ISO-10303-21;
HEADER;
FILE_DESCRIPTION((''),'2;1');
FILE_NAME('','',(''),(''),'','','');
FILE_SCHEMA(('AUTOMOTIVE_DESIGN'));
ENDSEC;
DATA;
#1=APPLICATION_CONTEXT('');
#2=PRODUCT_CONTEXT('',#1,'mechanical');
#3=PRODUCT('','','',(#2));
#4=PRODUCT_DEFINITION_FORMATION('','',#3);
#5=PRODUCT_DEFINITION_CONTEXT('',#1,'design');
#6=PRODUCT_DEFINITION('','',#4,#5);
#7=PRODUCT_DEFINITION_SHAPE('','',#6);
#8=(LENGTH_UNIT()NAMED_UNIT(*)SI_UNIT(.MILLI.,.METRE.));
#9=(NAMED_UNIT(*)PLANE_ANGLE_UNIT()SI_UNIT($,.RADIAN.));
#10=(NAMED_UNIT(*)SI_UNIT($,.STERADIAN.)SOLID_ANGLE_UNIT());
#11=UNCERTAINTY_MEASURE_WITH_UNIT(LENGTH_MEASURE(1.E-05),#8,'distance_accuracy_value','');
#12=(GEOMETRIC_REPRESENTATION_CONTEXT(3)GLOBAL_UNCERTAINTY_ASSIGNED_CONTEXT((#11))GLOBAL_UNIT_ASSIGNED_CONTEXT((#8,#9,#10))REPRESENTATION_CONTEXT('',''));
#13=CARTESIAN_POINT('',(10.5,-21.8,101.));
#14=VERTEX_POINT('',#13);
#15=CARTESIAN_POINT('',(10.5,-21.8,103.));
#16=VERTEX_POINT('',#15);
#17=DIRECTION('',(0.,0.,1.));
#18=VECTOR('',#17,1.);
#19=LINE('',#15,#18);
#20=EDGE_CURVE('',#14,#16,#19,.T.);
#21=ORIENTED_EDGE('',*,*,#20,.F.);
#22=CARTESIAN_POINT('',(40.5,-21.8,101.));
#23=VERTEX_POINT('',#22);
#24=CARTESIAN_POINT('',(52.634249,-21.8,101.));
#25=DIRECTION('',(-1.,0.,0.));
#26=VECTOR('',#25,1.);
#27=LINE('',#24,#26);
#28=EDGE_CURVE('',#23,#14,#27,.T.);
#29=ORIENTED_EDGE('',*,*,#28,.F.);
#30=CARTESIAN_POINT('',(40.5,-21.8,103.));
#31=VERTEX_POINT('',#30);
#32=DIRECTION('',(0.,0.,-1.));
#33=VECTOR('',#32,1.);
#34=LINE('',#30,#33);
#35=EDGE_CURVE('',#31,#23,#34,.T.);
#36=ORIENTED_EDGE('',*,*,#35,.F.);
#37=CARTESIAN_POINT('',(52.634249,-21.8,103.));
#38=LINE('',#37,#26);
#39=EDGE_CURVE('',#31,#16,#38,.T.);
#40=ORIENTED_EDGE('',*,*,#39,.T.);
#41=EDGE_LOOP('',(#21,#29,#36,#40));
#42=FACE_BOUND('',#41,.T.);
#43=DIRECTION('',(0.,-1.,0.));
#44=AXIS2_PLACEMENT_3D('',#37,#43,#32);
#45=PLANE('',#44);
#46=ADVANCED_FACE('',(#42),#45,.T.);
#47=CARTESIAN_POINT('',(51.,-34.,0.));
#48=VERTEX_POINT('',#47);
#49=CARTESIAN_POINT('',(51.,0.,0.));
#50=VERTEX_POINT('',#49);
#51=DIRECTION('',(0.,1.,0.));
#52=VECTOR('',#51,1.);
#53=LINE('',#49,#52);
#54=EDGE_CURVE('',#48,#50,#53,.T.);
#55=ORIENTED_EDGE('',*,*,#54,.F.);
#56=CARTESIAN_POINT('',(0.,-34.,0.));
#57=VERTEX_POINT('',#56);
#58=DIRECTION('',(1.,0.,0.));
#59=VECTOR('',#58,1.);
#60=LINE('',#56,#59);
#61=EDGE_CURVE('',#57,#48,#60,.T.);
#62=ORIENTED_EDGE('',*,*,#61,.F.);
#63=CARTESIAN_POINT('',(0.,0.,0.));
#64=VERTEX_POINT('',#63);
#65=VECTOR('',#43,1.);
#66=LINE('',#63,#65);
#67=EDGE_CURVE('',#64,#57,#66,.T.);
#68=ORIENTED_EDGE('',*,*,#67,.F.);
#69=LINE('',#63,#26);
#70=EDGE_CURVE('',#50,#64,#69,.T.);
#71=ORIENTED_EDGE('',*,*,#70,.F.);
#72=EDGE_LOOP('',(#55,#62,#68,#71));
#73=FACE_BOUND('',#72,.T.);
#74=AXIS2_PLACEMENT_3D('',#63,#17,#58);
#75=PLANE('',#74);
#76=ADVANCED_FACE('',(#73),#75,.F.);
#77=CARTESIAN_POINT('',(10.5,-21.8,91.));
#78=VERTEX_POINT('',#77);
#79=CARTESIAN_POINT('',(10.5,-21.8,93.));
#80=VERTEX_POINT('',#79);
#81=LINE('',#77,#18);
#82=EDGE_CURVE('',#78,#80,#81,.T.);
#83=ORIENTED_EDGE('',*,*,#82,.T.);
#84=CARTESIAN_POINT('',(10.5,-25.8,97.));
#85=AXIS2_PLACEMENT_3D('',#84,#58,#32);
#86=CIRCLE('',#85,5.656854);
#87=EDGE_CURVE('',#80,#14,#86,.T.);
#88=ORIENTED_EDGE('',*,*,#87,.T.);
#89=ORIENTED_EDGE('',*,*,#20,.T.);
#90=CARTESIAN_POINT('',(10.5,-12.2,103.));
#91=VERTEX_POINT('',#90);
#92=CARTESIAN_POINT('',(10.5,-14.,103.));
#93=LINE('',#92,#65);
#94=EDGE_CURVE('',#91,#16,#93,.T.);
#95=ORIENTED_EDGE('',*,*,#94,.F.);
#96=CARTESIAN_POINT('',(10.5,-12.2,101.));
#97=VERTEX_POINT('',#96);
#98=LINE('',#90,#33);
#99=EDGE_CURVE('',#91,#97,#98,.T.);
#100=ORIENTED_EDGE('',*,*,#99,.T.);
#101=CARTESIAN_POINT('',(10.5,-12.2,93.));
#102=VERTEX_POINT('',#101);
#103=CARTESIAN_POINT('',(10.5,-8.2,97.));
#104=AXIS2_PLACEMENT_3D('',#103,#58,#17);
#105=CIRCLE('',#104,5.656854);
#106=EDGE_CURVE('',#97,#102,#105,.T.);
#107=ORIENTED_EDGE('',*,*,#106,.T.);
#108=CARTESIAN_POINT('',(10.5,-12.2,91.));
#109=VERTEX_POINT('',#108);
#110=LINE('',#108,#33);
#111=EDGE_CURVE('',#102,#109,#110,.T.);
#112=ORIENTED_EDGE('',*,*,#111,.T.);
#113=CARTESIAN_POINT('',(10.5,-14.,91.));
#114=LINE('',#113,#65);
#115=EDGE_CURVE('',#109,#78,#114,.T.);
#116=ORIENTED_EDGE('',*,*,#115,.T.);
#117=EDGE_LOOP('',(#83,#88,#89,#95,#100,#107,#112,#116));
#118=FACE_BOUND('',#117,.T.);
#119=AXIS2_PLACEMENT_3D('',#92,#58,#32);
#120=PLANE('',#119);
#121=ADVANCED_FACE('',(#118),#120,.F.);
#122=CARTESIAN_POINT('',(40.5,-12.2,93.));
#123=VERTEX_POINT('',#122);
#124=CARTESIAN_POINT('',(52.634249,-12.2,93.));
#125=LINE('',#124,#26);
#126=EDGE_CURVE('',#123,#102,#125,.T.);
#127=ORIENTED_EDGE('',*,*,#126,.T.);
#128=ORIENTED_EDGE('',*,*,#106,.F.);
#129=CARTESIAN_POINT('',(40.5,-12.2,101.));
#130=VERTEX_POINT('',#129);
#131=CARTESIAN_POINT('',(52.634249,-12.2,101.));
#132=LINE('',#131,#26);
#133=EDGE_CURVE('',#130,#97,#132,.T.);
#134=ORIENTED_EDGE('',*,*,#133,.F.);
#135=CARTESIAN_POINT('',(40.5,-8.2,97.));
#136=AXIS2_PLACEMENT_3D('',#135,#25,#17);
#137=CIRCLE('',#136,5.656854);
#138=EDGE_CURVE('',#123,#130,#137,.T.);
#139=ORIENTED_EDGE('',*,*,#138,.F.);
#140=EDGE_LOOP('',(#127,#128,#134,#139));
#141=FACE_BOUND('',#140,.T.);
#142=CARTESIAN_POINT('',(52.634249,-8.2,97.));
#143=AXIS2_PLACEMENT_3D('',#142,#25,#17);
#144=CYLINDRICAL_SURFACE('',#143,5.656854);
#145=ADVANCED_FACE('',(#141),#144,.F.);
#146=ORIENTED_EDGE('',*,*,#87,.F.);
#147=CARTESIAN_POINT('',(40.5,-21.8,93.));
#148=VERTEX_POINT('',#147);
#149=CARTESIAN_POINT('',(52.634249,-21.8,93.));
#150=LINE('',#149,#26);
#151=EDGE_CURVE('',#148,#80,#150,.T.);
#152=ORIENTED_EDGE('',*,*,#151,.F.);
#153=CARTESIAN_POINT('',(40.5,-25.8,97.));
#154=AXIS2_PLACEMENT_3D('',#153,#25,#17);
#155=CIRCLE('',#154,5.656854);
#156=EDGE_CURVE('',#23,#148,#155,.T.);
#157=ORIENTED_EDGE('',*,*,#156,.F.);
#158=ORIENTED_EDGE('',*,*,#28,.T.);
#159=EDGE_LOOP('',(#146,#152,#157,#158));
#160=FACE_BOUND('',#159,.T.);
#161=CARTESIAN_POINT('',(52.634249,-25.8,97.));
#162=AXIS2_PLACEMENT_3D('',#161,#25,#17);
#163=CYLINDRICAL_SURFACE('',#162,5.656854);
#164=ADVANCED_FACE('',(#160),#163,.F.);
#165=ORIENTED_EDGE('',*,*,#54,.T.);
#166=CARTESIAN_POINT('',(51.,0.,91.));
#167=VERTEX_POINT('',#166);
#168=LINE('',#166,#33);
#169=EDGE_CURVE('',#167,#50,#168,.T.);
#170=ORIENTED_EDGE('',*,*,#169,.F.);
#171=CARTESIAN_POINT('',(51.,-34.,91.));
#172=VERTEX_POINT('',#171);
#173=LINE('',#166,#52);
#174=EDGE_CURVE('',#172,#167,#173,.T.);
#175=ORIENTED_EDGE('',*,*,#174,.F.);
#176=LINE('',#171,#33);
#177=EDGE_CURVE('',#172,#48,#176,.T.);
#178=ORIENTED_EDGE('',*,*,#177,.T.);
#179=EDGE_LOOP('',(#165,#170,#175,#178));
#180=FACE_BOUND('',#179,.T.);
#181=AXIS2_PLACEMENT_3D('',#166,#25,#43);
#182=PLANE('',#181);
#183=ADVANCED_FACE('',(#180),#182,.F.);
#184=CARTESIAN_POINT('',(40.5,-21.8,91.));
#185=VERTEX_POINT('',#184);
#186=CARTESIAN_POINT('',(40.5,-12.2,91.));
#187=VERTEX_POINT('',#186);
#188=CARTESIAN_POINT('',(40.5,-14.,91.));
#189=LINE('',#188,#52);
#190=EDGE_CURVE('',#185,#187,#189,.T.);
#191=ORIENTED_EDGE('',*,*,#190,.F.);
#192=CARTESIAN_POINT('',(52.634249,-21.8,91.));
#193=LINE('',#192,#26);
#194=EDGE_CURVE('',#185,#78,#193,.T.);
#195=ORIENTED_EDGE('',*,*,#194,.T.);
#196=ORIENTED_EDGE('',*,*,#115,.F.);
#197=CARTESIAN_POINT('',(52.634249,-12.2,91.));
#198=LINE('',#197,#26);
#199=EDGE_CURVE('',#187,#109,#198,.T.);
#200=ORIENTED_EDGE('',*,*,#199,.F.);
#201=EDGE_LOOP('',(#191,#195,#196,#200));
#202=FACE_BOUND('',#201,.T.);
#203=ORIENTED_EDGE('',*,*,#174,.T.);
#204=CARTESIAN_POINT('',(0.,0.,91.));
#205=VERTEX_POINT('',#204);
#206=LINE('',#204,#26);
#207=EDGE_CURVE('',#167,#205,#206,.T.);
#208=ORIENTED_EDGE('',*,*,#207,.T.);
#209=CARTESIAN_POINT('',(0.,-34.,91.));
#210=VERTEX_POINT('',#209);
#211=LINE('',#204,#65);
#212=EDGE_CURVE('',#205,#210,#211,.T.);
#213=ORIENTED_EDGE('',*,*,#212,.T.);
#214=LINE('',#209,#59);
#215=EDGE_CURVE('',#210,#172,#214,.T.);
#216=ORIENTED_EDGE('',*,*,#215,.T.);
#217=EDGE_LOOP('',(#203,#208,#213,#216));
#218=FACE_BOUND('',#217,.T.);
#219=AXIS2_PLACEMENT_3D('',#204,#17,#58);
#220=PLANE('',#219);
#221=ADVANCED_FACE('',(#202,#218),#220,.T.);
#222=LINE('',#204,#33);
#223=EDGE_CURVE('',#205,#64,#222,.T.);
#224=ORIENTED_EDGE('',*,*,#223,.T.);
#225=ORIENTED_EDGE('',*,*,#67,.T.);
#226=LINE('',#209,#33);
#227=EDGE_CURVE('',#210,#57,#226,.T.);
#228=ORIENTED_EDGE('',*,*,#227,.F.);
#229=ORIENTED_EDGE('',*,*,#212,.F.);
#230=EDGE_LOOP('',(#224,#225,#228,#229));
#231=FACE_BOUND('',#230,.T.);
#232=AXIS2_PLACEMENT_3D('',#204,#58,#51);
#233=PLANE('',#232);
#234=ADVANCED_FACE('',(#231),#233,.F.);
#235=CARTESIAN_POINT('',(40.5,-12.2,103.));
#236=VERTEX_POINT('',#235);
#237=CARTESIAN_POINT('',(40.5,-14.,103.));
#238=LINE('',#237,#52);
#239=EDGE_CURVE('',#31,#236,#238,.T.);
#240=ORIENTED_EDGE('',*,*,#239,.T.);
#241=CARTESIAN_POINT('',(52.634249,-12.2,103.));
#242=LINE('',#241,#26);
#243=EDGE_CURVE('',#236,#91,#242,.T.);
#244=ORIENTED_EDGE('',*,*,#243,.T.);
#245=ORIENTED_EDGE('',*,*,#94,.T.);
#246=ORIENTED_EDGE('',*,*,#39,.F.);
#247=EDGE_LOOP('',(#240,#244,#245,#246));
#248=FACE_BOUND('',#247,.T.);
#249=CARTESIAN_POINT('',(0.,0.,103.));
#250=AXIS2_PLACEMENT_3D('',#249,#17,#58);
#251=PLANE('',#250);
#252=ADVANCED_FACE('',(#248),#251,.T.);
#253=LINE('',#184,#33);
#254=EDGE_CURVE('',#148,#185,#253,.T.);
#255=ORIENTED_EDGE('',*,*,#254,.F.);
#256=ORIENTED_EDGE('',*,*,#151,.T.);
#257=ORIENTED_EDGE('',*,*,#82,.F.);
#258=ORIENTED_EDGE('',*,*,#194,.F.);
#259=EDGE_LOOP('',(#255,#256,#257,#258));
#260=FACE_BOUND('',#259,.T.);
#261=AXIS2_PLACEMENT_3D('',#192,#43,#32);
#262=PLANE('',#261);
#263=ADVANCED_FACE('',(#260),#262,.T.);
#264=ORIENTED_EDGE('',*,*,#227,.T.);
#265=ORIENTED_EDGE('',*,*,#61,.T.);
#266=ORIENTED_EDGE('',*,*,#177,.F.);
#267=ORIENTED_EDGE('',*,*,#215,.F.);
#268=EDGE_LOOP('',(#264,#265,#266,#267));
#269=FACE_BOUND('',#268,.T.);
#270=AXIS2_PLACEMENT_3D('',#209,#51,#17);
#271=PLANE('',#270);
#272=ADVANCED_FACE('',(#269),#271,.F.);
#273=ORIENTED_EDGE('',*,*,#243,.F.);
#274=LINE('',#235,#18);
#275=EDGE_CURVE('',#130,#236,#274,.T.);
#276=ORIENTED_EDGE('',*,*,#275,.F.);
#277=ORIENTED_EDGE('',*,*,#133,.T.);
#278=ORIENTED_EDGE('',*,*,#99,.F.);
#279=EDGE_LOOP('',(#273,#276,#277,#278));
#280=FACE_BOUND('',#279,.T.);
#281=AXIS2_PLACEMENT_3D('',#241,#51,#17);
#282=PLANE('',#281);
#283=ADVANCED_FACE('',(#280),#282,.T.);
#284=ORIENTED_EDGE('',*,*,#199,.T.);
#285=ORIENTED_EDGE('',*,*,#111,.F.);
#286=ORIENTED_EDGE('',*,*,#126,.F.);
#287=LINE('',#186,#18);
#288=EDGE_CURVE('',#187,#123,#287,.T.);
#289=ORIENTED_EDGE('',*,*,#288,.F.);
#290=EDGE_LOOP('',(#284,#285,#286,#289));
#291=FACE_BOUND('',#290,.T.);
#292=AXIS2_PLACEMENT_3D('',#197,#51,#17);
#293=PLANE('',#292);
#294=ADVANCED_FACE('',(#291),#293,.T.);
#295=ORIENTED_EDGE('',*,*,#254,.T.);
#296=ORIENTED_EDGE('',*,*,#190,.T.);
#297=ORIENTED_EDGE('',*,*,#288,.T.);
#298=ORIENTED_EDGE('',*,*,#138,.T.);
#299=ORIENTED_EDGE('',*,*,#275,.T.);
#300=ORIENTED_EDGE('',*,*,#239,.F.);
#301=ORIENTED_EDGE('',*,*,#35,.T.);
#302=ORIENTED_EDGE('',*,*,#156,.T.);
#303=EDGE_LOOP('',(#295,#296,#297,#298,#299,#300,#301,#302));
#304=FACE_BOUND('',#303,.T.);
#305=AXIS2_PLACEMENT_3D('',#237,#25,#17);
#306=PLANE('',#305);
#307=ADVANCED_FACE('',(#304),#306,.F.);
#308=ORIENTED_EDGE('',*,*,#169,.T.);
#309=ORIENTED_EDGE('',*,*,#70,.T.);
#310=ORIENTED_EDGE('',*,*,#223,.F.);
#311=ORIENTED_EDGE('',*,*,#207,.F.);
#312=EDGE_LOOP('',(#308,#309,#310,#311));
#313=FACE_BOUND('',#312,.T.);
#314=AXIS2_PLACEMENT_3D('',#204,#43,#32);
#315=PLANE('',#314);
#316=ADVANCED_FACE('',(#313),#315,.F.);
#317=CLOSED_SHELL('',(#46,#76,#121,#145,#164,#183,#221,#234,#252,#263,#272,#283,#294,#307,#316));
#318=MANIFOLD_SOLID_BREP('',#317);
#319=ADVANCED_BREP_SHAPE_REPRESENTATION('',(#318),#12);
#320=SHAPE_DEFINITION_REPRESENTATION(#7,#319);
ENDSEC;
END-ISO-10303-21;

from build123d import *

# Parameters (mm, degrees)
SKETCH1_W           = 51
SKETCH1_H           = 34
BOSS_EXTRUDE1_DEPTH = 91
SKETCH2_W           = 30
SKETCH2_H           = 6
BOSS_EXTRUDE2_DEPTH = 12
BOSS_EXTRUDE3_DEPTH = 30


with BuildPart() as part:
    # Sketch1 → Boss-Extrude1 (new body)
    with BuildSketch(Plane.XY):
        with Locations((25.5, -17)):
            Rectangle(SKETCH1_W, SKETCH1_H)
    extrude(amount=BOSS_EXTRUDE1_DEPTH)

    # Sketch2 → Boss-Extrude2 (add)
    with BuildSketch(Plane.XY.offset(91)):
        with Locations((25.5, -17)):
            Rectangle(SKETCH2_W, SKETCH2_H)
    extrude(amount=BOSS_EXTRUDE2_DEPTH)

    # Sketch3 → Boss-Extrude3 (add)
    with BuildSketch(Plane.ZY.offset(-10.5)):
        with BuildLine():
            Line((91, -12.2), (93, -12.2))
            ThreePointArc((93, -12.2), (97, -13.856854249), (101, -12.2))
            Line((101, -12.2), (103, -12.2))
            Line((103, -12.2), (103, -14))
            Line((103, -14), (91, -14))
            Line((91, -14), (91, -12.2))
        make_face()
        with BuildLine():
            Line((103, -20), (103, -21.8))
            Line((103, -21.8), (101, -21.8))
            ThreePointArc((101, -21.8), (97, -20.143145751), (93, -21.8))
            Line((93, -21.8), (91, -21.8))
            Line((91, -21.8), (91, -20))
            Line((91, -20), (103, -20))
        make_face()
    extrude(amount=-BOSS_EXTRUDE3_DEPTH)


solid = part.part
